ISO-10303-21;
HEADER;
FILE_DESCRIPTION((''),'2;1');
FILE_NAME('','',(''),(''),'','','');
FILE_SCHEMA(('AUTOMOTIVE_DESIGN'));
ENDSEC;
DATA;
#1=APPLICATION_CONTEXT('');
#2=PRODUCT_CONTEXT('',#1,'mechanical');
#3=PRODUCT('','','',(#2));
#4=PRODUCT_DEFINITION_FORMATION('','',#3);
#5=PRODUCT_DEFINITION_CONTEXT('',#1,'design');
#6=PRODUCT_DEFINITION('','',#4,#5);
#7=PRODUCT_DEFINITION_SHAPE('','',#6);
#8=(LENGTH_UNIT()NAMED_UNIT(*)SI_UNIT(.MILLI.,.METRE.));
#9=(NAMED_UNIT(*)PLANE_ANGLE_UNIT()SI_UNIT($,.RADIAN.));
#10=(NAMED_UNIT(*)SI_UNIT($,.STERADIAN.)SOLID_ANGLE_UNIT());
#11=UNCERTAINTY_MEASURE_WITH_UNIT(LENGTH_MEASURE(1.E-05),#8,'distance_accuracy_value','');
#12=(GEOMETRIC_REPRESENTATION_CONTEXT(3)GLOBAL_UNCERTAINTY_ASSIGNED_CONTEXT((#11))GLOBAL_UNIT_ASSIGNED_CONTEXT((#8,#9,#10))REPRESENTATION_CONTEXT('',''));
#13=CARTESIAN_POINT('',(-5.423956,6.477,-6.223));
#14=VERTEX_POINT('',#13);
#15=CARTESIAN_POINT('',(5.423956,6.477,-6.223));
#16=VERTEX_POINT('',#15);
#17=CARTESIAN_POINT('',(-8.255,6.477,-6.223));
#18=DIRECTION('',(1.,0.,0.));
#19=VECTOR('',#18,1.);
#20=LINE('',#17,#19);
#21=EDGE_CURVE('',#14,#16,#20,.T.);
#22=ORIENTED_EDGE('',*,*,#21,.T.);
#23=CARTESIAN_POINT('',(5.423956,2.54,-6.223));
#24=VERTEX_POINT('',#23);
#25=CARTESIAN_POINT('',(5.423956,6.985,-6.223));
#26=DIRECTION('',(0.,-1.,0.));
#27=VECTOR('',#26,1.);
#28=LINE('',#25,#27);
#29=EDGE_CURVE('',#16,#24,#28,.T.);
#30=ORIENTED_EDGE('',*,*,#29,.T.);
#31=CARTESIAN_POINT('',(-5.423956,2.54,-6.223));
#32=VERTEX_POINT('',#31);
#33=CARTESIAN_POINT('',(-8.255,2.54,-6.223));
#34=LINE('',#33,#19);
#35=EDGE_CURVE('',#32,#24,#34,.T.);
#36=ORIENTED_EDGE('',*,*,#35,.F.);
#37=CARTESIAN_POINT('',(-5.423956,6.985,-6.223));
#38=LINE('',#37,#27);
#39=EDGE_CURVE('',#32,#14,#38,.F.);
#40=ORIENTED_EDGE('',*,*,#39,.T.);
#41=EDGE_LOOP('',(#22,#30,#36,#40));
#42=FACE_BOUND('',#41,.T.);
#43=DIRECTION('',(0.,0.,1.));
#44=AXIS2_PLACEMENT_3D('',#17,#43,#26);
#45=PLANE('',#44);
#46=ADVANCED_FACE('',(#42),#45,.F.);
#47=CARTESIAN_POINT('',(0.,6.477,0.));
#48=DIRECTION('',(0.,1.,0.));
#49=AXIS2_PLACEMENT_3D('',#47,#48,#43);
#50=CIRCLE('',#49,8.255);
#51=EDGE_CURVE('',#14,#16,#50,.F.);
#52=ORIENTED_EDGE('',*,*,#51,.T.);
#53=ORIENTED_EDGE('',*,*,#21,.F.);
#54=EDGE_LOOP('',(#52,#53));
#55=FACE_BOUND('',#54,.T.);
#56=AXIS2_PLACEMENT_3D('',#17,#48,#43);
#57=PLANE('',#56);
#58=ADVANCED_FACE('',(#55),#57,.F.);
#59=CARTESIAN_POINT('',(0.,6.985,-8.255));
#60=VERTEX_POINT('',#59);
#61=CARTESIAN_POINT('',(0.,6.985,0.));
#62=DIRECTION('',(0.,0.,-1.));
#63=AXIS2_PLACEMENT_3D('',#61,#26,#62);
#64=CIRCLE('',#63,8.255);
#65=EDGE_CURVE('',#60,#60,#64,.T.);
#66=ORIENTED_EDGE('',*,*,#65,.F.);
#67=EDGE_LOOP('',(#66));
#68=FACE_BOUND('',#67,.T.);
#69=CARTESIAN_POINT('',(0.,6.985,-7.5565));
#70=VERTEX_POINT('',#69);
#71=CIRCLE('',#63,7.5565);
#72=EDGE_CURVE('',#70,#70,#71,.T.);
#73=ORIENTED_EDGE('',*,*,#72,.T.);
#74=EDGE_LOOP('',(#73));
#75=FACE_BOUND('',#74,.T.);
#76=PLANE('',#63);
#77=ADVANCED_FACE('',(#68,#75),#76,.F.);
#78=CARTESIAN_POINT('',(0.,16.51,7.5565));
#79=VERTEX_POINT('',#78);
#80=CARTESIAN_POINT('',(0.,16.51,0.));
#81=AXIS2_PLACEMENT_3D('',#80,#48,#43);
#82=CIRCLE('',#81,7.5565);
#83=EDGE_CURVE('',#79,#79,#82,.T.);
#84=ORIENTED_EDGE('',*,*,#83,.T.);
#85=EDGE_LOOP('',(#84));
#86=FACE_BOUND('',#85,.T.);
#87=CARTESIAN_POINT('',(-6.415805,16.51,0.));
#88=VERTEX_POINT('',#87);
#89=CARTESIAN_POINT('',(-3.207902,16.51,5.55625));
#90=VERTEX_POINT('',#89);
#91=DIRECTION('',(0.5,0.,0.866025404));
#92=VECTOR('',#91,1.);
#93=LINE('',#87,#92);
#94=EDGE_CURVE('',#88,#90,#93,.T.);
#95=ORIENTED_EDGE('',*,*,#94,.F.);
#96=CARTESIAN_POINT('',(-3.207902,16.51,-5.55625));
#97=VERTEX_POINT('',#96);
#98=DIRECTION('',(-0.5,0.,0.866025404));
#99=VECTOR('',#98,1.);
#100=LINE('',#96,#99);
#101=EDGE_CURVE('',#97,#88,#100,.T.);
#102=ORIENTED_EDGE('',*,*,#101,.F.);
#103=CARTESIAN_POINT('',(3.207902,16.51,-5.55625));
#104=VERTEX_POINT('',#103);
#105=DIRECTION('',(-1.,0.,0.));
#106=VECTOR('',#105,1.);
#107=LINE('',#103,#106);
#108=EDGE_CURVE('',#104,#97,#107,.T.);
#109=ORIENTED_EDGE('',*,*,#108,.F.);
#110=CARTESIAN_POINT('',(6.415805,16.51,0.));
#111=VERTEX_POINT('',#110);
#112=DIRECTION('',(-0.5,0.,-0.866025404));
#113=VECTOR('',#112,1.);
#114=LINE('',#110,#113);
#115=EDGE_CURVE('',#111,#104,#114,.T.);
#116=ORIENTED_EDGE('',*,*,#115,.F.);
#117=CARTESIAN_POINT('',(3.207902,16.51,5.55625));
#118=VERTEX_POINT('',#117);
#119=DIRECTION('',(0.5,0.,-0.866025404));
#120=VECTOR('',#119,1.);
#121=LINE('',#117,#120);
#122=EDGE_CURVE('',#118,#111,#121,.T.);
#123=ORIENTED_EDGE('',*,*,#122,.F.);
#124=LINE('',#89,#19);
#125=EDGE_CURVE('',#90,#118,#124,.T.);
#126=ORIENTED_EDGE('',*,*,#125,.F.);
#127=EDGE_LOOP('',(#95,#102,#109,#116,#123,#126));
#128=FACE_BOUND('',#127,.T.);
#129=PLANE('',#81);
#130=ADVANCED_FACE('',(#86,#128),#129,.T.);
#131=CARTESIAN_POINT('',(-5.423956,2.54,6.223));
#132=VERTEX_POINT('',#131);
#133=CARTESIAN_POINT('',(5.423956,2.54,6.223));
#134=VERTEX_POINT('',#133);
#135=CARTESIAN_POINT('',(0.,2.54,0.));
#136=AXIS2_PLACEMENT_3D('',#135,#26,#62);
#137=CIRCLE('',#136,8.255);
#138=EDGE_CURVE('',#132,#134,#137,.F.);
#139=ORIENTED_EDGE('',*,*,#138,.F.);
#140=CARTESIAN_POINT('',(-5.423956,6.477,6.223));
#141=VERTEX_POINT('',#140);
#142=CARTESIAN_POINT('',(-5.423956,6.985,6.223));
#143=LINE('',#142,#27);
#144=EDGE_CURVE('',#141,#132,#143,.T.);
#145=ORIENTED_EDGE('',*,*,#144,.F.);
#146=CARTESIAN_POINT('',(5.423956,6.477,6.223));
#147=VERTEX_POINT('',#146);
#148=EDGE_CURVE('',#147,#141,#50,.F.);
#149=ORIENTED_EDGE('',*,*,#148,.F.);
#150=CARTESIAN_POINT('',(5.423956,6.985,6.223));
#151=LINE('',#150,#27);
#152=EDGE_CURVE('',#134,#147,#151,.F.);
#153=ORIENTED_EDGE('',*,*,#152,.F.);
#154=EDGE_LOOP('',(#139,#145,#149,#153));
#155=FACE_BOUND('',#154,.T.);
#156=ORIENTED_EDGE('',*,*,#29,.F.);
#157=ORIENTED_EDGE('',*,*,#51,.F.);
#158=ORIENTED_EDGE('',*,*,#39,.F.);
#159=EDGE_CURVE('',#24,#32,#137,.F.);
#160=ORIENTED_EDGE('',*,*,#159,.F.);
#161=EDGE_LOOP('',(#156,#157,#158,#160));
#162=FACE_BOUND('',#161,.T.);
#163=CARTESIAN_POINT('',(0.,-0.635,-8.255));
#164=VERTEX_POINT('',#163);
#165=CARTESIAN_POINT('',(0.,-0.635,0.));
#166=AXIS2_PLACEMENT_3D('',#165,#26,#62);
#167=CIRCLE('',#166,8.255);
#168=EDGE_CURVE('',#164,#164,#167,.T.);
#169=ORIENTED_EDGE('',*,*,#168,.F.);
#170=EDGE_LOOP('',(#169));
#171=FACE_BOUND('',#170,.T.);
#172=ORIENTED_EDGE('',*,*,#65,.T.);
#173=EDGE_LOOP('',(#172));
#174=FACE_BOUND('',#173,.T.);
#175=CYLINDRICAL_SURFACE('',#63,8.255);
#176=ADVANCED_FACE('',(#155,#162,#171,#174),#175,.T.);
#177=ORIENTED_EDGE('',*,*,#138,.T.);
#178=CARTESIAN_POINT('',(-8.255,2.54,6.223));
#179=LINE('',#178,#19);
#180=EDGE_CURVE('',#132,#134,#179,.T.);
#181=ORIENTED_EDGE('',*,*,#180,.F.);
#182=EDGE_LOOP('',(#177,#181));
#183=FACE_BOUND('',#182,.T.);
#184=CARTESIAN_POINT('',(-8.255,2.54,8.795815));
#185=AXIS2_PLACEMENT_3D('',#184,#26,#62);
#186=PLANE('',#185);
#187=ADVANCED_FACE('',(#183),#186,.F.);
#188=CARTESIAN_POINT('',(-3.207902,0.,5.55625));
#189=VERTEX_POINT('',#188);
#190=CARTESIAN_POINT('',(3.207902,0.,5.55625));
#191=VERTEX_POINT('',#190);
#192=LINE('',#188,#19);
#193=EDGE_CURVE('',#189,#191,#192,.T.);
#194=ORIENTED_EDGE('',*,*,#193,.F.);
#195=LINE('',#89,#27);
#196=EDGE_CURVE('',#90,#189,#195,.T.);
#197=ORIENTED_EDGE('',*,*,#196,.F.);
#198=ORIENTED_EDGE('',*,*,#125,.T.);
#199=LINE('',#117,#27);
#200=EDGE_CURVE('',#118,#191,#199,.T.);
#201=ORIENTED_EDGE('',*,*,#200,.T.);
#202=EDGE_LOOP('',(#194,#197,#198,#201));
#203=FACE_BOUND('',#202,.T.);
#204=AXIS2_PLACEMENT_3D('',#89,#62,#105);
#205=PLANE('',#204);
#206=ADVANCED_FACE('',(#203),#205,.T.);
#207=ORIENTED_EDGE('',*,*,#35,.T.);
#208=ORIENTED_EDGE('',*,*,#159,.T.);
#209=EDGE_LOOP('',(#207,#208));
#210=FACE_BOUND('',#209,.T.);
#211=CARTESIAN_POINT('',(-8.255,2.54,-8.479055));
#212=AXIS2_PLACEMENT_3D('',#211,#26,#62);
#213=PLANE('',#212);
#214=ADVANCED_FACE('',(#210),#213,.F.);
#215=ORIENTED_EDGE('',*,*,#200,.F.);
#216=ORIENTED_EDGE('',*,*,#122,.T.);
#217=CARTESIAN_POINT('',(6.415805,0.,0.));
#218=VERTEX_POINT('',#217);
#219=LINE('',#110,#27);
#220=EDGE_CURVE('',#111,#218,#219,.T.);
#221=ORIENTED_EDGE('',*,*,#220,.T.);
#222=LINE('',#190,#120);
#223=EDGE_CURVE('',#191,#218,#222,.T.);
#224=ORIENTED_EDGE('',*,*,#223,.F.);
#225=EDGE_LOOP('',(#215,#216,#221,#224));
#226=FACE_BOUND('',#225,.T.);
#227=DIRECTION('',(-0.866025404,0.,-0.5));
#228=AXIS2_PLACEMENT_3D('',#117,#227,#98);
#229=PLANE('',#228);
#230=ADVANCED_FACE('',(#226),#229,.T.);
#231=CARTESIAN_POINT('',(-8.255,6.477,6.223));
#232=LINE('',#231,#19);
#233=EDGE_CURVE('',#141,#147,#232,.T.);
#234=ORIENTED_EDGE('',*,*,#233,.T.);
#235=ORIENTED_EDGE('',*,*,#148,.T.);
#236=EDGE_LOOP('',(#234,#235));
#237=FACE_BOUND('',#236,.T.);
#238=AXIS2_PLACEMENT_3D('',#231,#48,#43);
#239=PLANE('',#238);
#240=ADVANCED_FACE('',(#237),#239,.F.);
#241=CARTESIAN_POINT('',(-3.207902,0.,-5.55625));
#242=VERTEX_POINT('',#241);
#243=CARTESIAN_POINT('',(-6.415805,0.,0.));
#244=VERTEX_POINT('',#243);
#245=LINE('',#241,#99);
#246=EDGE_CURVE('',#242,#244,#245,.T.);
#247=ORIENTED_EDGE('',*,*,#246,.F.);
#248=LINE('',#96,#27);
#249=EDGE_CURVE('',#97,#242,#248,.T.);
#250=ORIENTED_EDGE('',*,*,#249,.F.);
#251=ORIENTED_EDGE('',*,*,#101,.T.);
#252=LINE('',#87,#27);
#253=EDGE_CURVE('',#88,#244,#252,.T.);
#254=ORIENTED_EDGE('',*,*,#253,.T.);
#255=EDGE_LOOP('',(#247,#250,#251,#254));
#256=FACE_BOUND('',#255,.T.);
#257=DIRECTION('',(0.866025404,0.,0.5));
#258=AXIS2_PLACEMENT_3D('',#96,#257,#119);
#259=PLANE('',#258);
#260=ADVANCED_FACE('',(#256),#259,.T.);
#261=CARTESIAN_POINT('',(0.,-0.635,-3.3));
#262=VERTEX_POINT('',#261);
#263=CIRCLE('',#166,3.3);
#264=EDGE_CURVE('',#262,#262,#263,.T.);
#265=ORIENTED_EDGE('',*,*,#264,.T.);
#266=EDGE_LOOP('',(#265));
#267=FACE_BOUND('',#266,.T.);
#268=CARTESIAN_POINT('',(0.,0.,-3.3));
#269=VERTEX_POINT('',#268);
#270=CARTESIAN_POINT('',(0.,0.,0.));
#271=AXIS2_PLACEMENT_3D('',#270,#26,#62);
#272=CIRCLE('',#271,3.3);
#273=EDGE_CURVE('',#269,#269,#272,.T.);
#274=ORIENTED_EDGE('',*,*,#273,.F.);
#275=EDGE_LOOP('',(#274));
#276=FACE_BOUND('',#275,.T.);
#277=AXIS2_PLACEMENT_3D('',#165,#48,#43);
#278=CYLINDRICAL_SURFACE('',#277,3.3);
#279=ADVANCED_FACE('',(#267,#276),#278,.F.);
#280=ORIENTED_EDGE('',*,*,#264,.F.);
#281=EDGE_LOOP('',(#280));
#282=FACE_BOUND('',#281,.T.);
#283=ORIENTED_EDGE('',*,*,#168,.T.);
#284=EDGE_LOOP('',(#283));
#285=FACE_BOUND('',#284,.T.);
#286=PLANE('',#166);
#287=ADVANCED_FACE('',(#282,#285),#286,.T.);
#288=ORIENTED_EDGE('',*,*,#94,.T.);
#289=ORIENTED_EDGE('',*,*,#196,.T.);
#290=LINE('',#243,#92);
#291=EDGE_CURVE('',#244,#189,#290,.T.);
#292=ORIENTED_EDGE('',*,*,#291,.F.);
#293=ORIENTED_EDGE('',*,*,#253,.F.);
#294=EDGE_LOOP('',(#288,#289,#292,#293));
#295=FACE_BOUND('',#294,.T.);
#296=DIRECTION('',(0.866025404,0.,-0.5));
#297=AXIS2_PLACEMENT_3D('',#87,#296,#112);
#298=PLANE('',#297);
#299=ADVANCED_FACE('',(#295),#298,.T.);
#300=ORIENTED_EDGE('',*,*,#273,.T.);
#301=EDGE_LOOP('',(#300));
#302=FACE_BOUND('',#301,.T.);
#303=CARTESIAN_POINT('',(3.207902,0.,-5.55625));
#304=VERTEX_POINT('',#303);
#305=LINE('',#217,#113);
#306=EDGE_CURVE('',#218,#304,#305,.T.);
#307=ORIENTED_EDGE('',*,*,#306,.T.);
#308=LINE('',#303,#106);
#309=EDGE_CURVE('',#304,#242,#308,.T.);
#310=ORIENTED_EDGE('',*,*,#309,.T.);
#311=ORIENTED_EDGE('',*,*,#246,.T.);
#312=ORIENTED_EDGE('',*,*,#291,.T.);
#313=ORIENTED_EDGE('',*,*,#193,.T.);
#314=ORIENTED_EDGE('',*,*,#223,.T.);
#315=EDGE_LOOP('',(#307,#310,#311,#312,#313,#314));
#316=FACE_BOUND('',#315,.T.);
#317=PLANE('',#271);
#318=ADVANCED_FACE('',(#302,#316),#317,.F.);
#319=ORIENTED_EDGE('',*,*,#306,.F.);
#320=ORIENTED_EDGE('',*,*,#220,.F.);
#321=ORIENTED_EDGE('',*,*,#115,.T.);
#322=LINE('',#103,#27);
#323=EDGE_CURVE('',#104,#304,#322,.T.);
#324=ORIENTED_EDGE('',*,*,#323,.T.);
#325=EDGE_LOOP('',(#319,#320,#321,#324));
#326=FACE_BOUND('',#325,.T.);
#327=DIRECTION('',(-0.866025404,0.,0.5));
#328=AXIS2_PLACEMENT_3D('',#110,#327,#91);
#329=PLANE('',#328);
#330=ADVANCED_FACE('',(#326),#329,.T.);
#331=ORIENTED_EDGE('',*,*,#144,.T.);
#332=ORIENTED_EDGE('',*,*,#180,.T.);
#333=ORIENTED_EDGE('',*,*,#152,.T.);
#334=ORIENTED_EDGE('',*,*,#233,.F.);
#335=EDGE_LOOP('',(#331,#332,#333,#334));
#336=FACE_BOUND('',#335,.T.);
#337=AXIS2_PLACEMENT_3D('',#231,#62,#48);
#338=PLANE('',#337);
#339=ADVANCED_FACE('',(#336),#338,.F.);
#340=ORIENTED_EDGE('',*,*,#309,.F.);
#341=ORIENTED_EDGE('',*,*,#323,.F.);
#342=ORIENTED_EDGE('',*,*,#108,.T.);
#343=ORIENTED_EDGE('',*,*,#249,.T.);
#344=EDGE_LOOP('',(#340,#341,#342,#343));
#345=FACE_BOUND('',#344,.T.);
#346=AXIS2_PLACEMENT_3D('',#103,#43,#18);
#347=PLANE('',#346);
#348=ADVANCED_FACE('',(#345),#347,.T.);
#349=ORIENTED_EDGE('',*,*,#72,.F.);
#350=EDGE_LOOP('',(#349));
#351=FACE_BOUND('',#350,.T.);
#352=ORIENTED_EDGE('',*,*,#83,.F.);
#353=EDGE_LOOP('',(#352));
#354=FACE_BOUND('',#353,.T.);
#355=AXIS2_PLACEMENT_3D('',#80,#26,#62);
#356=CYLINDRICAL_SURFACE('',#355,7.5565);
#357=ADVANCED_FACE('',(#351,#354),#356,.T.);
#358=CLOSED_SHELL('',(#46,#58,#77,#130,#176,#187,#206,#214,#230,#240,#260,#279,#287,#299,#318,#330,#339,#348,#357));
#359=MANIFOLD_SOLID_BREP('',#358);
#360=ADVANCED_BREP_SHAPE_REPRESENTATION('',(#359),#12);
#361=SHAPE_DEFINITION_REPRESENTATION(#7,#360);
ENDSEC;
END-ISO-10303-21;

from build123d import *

# Parameters (mm, degrees)
SKETCH1_R               = 7.5565
BOSS_EXTRUDE1_DEPTH     = 16.51
SKETCH2_R               = 7.5565
SKETCH2_R_2             = 3.3
BOSS_EXTRUDE2_DEPTH     = 0.635
SKETCH4_R               = 8.255
SKETCH4_R_2             = 7.5565
BOSS_EXTRUDE3_DEPTH     = 7.62
SKETCH3_W               = 2.572814656
SKETCH3_H               = 3.937
SKETCH3_W_2             = 2.256055482
CUT_EXTRUDE1_DEPTH      = 9.255
CUT_EXTRUDE1_DEPTH_BACK = 9.255


with BuildPart() as part:
    # Sketch1 → Boss-Extrude1 (new body)
    with BuildSketch(Plane(origin=(0, 0, 0), x_dir=(1, 0, 0), z_dir=(0, 1, 0))):
        Circle(SKETCH1_R)
        Polygon((-3.207902433, 5.55625), (-6.415804866, 0), (-3.207902433, -5.55625), (3.207902433, -5.55625), (6.415804866, 0), (3.207902433, 5.55625), align=None, mode=Mode.SUBTRACT)
    extrude(amount=BOSS_EXTRUDE1_DEPTH)

    # Sketch2 → Boss-Extrude2 (add)
    with BuildSketch(Plane.XZ):
        Circle(SKETCH2_R)
        Circle(SKETCH2_R_2, mode=Mode.SUBTRACT)
    extrude(amount=BOSS_EXTRUDE2_DEPTH)

    # Sketch4 → Boss-Extrude3 (add)
    with BuildSketch(Plane.XZ.offset(0.635)):
        Circle(SKETCH4_R)
        Circle(SKETCH4_R_2, mode=Mode.SUBTRACT)
    extrude(amount=-BOSS_EXTRUDE3_DEPTH)

    # Sketch3 → Cut-Extrude1 (cut, two sides)
    with BuildSketch(Plane(origin=(0, 0, 0), x_dir=(0, 0, -1), z_dir=(1, 0, 0))) as cut_extrude1_sk:
        with Locations((-7.509407328, 4.5085)):
            Rectangle(SKETCH3_W, SKETCH3_H)
        with Locations((7.351027741, 4.5085)):
            Rectangle(SKETCH3_W_2, SKETCH3_H)
    extrude(amount=CUT_EXTRUDE1_DEPTH, mode=Mode.SUBTRACT)
    extrude(cut_extrude1_sk.sketch, amount=-CUT_EXTRUDE1_DEPTH_BACK, mode=Mode.SUBTRACT)


solid = part.part
